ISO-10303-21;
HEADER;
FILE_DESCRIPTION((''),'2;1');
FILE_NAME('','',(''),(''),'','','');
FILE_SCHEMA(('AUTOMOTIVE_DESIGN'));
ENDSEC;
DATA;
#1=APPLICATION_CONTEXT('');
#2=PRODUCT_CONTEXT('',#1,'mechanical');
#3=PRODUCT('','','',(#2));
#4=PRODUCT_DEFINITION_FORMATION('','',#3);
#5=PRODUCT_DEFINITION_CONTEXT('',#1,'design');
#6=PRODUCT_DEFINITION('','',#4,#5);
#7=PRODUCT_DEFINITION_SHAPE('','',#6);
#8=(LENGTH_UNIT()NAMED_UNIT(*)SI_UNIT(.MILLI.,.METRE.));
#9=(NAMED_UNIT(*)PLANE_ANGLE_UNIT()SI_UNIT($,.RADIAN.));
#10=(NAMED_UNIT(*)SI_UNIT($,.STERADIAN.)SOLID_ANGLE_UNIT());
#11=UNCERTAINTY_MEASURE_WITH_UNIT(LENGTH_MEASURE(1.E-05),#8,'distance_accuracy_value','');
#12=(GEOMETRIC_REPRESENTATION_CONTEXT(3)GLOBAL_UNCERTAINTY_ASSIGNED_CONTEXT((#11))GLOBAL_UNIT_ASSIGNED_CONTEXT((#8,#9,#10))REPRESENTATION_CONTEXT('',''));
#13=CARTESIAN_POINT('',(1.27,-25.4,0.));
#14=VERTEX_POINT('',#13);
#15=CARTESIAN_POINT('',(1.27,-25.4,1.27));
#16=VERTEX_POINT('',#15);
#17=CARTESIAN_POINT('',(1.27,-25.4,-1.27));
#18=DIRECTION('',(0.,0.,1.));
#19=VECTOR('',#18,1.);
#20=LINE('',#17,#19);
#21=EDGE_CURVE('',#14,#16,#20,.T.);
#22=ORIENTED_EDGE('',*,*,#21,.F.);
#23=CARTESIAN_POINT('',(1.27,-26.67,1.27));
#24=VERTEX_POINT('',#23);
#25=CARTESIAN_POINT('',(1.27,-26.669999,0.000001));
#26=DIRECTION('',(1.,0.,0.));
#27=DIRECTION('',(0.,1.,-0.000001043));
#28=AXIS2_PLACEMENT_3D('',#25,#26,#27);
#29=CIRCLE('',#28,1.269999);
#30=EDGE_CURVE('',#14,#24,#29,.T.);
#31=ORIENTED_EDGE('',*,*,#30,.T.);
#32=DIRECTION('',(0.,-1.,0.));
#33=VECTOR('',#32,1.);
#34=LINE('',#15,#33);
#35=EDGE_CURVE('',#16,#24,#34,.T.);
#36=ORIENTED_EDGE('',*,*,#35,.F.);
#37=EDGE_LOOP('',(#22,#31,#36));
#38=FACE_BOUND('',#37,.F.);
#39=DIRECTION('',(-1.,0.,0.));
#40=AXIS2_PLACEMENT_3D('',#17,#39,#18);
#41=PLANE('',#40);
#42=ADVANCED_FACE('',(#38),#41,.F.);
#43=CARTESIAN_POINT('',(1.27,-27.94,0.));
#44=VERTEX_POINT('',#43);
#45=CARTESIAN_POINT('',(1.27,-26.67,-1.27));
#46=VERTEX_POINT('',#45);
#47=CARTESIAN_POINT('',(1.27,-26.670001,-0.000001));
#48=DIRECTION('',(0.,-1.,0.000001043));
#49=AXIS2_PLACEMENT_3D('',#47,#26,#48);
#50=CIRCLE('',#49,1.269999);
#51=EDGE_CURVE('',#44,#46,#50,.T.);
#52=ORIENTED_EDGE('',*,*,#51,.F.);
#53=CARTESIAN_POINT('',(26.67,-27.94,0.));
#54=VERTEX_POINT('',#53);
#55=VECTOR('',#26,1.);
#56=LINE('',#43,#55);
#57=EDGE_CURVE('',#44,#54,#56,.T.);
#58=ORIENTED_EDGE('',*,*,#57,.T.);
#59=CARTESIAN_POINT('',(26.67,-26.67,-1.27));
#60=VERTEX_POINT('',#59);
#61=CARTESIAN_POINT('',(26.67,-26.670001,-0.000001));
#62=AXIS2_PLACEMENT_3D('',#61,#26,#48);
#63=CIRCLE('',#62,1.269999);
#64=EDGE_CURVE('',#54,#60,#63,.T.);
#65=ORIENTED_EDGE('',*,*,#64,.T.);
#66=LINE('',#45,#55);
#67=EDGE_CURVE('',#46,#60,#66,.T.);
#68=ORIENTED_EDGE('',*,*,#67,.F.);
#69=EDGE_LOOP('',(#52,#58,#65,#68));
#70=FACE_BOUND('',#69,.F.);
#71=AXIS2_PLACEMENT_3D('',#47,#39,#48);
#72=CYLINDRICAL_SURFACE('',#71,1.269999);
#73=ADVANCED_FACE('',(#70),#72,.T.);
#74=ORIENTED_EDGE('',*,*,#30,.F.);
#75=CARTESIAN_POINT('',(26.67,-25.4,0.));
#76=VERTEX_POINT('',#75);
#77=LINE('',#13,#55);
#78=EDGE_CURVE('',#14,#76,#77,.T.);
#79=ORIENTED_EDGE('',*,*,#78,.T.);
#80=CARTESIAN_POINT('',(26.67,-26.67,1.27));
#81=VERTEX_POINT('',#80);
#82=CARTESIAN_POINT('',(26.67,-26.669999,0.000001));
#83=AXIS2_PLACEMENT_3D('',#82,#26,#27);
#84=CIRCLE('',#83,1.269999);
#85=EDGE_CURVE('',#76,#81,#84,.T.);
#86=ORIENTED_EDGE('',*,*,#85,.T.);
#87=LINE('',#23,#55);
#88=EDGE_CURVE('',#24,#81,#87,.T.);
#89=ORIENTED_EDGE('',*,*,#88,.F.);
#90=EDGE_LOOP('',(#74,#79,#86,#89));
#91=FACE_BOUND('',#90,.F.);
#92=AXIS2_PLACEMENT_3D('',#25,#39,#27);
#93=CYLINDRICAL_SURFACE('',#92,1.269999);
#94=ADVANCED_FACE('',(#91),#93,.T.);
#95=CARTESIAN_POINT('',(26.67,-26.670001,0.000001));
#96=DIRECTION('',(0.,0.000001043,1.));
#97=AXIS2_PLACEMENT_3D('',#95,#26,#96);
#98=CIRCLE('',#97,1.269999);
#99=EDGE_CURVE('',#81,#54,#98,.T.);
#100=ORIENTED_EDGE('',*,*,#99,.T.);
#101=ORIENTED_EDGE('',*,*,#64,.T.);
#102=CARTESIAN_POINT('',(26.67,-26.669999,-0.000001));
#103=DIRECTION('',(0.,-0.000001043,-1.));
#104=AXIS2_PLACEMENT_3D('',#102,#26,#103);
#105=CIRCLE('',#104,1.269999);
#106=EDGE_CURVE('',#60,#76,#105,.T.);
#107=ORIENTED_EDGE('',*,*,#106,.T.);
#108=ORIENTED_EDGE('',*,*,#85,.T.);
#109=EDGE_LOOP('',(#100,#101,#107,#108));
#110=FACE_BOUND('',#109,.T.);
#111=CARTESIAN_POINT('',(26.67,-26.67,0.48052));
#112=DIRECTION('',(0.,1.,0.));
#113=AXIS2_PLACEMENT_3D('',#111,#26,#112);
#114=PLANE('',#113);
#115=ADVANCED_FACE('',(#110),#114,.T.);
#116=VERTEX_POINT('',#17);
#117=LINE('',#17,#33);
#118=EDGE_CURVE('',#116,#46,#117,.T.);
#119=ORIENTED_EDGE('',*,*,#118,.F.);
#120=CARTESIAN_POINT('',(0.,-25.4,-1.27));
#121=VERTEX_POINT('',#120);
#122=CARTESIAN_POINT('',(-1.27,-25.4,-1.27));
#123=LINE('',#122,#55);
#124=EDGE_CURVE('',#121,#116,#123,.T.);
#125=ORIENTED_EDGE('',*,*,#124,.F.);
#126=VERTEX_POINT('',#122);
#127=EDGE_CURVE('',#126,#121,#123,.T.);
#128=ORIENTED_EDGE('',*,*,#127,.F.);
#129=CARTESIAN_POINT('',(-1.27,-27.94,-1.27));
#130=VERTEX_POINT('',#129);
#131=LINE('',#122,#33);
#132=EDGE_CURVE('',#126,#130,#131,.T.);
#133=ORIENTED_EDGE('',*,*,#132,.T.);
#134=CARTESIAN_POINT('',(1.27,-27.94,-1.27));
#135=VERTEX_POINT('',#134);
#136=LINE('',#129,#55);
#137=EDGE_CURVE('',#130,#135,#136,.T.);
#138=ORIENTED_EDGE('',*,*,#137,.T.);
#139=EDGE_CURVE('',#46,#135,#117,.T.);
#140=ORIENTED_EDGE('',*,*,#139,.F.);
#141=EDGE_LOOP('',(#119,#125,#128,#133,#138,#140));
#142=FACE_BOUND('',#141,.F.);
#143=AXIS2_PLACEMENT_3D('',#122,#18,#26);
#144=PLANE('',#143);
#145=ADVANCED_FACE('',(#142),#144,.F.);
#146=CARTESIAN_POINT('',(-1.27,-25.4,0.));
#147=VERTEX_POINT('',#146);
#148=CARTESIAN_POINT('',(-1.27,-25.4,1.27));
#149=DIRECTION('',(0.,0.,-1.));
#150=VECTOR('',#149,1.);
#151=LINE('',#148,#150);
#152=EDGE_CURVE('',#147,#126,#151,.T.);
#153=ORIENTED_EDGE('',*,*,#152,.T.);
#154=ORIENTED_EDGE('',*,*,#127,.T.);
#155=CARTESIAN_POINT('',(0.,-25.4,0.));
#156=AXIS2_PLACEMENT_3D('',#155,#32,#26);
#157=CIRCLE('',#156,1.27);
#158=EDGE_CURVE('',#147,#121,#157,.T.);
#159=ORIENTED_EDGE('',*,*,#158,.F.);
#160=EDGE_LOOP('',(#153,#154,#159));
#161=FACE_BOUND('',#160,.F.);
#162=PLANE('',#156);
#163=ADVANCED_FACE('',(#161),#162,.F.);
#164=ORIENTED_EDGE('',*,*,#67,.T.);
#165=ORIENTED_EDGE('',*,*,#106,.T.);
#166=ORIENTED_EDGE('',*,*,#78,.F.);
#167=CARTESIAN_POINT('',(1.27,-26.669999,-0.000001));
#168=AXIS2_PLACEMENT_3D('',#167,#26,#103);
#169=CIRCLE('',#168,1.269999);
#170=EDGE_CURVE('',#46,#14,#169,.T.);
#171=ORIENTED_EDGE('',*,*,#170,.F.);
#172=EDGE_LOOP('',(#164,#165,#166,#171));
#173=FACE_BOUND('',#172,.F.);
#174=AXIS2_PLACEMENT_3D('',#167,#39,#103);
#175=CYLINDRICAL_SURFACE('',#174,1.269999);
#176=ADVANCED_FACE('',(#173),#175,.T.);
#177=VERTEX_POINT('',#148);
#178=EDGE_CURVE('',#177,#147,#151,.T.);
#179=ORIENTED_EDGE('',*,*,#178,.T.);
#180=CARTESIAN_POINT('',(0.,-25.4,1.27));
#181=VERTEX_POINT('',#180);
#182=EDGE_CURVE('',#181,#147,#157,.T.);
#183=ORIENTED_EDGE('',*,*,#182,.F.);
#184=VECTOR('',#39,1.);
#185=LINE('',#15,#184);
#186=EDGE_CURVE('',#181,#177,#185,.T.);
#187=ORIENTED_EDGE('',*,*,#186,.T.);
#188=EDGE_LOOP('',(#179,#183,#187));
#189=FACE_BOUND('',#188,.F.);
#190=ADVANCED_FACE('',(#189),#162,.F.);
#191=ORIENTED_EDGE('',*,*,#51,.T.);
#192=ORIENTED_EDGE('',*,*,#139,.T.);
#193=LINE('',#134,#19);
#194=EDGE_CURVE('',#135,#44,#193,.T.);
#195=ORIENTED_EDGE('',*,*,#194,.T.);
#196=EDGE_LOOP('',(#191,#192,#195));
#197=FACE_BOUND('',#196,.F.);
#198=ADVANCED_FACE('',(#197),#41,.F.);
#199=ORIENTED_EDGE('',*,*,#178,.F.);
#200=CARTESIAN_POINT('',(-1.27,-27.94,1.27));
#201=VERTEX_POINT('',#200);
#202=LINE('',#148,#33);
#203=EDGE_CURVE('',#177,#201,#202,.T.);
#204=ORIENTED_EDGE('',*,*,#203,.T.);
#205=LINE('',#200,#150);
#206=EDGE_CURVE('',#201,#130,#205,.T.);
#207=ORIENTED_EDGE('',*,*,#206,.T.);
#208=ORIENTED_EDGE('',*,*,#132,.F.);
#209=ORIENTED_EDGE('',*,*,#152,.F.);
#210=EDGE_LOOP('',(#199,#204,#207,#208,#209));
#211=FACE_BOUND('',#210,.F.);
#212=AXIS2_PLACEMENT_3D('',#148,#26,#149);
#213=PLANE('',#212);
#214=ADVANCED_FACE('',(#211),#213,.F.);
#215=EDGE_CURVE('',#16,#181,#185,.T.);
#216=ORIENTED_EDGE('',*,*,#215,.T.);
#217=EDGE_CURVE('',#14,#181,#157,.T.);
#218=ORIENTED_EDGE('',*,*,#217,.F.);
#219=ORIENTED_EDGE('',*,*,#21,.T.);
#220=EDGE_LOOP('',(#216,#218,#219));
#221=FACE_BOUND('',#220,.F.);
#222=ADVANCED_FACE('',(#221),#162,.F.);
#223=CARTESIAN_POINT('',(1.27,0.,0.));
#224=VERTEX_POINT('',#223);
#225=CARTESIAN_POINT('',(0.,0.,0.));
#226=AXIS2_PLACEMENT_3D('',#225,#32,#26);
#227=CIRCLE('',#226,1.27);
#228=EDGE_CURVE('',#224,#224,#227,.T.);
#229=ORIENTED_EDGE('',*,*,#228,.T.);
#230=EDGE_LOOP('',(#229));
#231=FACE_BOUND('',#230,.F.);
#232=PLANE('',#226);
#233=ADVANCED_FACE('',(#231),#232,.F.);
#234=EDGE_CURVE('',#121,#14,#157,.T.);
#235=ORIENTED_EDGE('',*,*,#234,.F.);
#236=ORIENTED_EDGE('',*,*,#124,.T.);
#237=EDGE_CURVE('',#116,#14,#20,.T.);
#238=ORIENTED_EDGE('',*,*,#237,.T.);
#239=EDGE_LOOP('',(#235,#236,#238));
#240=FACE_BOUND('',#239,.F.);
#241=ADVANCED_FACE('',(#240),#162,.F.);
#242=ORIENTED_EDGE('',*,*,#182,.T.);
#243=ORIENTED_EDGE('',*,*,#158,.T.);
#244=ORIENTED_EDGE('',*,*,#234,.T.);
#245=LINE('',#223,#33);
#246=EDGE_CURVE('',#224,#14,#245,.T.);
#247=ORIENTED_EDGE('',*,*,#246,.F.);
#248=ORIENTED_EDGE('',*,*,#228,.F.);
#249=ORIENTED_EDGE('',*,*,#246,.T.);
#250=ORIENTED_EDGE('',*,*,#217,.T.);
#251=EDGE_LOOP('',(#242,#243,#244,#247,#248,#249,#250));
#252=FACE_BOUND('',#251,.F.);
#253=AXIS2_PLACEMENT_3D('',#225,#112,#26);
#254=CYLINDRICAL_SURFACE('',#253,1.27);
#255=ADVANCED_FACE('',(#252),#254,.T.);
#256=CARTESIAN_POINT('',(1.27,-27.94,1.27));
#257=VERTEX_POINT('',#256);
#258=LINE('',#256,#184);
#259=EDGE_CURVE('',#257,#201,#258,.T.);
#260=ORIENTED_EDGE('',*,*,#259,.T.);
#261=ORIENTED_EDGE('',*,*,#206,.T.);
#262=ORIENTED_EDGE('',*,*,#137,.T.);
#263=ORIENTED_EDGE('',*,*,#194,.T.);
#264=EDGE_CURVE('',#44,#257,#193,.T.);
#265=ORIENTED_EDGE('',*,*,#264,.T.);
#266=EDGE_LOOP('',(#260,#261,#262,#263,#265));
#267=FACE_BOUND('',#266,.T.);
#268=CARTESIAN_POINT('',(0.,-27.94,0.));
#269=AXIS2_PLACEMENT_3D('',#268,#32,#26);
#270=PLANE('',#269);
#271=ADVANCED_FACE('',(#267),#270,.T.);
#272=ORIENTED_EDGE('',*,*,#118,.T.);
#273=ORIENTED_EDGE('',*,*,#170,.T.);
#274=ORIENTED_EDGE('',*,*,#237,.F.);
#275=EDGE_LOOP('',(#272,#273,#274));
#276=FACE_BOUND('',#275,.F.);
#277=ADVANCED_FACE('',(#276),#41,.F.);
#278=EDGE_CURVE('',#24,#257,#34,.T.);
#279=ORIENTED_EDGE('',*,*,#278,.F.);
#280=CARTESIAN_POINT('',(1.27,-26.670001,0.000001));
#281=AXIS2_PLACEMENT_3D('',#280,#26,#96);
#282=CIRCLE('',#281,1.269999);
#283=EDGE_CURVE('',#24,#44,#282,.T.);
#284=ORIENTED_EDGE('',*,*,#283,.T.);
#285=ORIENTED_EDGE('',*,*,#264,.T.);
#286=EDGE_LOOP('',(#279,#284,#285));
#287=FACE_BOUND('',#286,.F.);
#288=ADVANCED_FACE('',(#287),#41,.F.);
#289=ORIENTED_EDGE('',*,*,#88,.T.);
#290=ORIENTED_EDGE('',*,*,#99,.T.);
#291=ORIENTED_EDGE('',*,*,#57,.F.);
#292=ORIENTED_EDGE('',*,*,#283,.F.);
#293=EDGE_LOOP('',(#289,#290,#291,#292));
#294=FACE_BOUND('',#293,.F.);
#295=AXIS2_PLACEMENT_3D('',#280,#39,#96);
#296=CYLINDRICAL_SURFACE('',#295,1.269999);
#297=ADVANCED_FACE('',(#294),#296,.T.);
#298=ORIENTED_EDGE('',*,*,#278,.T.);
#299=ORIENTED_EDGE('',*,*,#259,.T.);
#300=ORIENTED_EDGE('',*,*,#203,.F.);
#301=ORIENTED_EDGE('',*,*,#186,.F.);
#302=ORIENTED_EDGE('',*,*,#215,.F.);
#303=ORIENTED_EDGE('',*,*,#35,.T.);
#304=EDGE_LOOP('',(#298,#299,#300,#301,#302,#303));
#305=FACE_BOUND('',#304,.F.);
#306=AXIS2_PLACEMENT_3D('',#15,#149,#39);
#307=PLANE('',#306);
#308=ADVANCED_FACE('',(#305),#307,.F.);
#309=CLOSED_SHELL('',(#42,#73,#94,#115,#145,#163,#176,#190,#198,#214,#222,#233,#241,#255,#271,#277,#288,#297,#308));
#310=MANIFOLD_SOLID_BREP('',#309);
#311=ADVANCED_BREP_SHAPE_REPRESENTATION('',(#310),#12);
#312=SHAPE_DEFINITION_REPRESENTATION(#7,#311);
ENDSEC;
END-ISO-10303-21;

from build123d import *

# Parameters (mm, degrees)
F0_R     = 1.27
F1_DEPTH = 25.4
F3_DEPTH = 2.54
F5_DEPTH = 25.4


with BuildPart() as f1:
    # F0 (on Front) → F1 (new body)
    with BuildSketch(Plane.XZ):
        Circle(F0_R)
    extrude(amount=F1_DEPTH)

    # F2 (on face) → F3 (join)
    with BuildSketch(Plane.XZ.offset(25.4)):
        with BuildLine():
            ThreePointArc((-1.27, 0), (-0.898026, -0.898026), (0, -1.27))
            ThreePointArc((0, -1.27), (0.898026, -0.898026), (1.27, 0))
            ThreePointArc((1.27, 0), (0.898026, 0.898026), (0, 1.27))
            ThreePointArc((0, 1.27), (-0.898026, 0.898026), (-1.27, 0))
        make_face()
        with BuildLine():
            ThreePointArc((0, 1.27), (0.898026, 0.898026), (1.27, 0))
            Line((1.27, 0), (1.27, 1.27))
            Line((1.27, 1.27), (0, 1.27))
        make_face()
        with BuildLine():
            Line((0, -1.27), (1.27, -1.27))
            Line((1.27, -1.27), (1.27, 0))
            ThreePointArc((1.27, 0), (0.898026, -0.898026), (0, -1.27))
        make_face()
        with BuildLine():
            Line((-1.27, -1.27), (0, -1.27))
            ThreePointArc((0, -1.27), (-0.898026, -0.898026), (-1.27, 0))
            Line((-1.27, 0), (-1.27, -1.27))
        make_face()
        with BuildLine():
            Line((-1.27, 1.27), (-1.27, 0))
            ThreePointArc((-1.27, 0), (-0.898026, 0.898026), (0, 1.27))
            Line((0, 1.27), (-1.27, 1.27))
        make_face()
    extrude(amount=F3_DEPTH)

    # F4 (on face) → F5 (join)
    with BuildSketch(Plane.YZ.offset(1.27)):
        with BuildLine():
            Line((-27.94, 0), (-25.4, 0))
            ThreePointArc((-25.4, 0), (-25.771974, 0.898026), (-26.67, 1.27))
            ThreePointArc((-26.67, 1.27), (-27.568026, 0.898026), (-27.94, 0))
        make_face()
        with BuildLine():
            ThreePointArc((-26.67, -1.27), (-25.771974, -0.898026), (-25.4, 0))
            Line((-25.4, 0), (-27.94, 0))
            ThreePointArc((-27.94, 0), (-27.568026, -0.898026), (-26.67, -1.27))
        make_face()
    extrude(amount=F5_DEPTH)


solid = f1.part
